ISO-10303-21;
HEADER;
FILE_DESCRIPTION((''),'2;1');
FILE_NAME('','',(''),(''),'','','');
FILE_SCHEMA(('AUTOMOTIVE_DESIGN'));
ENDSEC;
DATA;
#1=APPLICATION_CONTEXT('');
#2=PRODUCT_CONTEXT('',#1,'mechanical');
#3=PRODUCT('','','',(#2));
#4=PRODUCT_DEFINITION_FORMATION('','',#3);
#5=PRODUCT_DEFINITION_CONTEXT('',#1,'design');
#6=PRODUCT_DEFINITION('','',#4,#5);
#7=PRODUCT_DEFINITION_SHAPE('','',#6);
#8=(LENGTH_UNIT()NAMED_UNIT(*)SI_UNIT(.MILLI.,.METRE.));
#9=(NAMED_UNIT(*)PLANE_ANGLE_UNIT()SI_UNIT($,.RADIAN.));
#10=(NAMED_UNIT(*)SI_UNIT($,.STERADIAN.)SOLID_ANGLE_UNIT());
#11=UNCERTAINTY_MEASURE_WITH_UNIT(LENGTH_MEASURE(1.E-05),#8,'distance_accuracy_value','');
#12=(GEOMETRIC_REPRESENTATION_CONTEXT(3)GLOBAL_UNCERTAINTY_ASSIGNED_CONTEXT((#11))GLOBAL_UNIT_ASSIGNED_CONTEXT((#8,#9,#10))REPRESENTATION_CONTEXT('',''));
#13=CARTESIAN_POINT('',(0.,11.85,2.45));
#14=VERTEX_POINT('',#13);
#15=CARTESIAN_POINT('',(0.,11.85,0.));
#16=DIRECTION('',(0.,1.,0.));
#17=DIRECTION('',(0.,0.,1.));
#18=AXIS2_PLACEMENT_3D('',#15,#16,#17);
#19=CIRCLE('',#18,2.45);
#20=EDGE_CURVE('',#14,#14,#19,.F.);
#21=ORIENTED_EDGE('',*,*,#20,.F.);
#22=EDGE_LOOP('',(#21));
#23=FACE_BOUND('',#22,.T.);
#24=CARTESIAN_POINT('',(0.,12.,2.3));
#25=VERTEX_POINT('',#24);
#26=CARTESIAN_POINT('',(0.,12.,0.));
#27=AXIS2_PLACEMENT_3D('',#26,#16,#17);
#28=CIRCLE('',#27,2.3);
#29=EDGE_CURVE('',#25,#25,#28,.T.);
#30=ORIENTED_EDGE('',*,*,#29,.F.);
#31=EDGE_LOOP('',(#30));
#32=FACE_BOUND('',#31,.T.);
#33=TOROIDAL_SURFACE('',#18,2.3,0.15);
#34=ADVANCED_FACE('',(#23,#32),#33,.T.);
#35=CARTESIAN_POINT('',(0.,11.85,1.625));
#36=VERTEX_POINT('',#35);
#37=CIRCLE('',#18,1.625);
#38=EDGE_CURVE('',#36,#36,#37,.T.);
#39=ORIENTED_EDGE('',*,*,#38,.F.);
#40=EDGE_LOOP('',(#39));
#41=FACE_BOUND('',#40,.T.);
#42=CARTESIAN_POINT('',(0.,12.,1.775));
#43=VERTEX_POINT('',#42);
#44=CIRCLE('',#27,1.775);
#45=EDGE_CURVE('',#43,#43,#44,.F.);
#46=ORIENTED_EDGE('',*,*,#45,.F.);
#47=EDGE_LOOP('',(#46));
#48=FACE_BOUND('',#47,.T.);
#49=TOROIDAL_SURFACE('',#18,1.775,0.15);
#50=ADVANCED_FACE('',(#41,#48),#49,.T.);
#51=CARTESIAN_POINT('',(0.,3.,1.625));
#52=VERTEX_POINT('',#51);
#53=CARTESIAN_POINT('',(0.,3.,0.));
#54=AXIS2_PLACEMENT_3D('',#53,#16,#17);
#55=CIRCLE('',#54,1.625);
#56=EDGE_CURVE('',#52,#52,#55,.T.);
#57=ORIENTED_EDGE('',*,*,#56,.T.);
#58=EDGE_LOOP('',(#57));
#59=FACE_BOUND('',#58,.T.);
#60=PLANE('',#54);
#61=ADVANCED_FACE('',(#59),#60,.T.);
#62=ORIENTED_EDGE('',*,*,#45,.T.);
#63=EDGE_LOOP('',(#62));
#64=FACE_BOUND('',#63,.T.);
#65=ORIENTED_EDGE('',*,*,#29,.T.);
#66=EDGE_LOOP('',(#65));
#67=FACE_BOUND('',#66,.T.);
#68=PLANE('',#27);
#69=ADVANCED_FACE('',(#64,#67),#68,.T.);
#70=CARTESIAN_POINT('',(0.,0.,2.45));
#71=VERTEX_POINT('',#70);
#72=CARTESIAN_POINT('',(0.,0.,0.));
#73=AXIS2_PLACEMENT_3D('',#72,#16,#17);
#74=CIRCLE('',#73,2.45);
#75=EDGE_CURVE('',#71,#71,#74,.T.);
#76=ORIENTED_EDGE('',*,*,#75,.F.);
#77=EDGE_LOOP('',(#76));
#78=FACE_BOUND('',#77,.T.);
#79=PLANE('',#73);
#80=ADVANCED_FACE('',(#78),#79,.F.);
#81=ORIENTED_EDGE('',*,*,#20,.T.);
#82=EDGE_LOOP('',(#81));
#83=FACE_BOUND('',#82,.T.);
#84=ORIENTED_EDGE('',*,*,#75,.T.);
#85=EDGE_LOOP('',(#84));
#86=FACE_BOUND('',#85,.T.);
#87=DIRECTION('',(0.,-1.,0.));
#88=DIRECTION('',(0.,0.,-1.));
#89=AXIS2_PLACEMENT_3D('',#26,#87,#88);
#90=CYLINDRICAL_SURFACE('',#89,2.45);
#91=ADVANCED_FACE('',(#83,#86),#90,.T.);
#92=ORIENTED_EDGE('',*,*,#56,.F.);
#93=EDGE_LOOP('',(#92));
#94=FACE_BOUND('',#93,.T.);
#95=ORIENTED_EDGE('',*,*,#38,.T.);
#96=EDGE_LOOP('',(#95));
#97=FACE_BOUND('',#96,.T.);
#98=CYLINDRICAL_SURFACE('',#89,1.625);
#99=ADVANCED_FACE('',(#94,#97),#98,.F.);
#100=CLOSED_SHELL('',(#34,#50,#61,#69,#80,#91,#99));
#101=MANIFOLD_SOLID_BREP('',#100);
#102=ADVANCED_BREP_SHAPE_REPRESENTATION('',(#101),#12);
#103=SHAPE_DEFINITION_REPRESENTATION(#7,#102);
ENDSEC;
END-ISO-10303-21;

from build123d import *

# Parameters (mm, degrees)
SKETCH1_R           = 2.45
SKETCH1_R_2         = 1.625
BOSS_EXTRUDE1_DEPTH = 12
SKETCH1_4_R         = 1.625
BOSS_EXTRUDE2_DEPTH = 3
FILLET1_R           = 0.15


with BuildPart() as part:
    # Sketch1 → Boss-Extrude1 (new body)
    with BuildSketch(Plane(origin=(0, 0, 0), x_dir=(1, 0, 0), z_dir=(0, 1, 0))):
        with Locations(Location((0, 0, 0), (0, 0, 270))):
            Circle(SKETCH1_R)
        with Locations(Location((0, 0, 0), (0, 0, 270))):
            Circle(SKETCH1_R_2, mode=Mode.SUBTRACT)
    extrude(amount=BOSS_EXTRUDE1_DEPTH)

    # Sketch1<4> → Boss-Extrude2 (add)
    with BuildSketch(Plane(origin=(0, 0, 0), x_dir=(1, 0, 0), z_dir=(0, 1, 0))):
        with Locations(Location((0, 0, 0), (0, 0, 270))):
            Circle(SKETCH1_4_R)
    extrude(amount=BOSS_EXTRUDE2_DEPTH)

    # Fillet1
    fillet1_edges = [part.edges().sort_by_distance(p)[0] for p in [
        (0, 12, -2.45),
        (0, 12, -1.625),
    ]]
    fillet(fillet1_edges, radius=FILLET1_R)


solid = part.part
